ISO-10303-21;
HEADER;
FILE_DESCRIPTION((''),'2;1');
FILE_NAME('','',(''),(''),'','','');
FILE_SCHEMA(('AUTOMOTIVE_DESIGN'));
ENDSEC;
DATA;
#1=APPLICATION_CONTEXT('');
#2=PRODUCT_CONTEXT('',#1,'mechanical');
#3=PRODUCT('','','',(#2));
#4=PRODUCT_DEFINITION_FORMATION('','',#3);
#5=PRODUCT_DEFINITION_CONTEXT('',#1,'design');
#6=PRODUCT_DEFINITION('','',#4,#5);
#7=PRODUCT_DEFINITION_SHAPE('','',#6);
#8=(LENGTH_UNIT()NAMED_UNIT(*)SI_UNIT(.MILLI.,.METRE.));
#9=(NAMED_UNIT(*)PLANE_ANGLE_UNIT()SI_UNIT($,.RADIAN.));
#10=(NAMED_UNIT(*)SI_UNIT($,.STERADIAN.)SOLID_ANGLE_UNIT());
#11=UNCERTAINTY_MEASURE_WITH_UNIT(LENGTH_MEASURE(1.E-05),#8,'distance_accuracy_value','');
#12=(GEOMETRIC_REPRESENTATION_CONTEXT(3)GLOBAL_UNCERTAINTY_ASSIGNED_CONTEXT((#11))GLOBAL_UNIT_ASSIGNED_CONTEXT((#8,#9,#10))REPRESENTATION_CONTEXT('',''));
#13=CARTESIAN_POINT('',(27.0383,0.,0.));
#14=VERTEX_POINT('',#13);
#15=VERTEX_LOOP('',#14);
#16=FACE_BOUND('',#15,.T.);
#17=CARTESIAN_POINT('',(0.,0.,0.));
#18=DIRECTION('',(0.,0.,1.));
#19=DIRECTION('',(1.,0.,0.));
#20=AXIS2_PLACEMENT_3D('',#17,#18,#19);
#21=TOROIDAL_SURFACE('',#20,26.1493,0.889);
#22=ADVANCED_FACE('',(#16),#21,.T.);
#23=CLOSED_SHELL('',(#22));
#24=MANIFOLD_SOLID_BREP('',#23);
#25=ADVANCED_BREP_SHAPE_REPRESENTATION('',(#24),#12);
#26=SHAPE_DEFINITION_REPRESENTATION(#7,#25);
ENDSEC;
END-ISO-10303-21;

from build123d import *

# Parameters (mm, degrees)
SKETCH1_R = 0.889


with BuildPart() as part:
    # Sketch1 → Revolve1 (revolve)
    with BuildSketch(Plane(origin=(0, 0, 0), x_dir=(0, -1, 0), z_dir=(1, 0, 0)), mode=Mode.PRIVATE) as revolve1_sk:
        with Locations((26.1493, 0)):
            Circle(SKETCH1_R)
    revolve(revolve1_sk.sketch.rotate(Axis((0, 0, 0.889), (0, 0, -1)), 270), axis=Axis((0, 0, 0.889), (0, 0, -1)))


solid = part.part
